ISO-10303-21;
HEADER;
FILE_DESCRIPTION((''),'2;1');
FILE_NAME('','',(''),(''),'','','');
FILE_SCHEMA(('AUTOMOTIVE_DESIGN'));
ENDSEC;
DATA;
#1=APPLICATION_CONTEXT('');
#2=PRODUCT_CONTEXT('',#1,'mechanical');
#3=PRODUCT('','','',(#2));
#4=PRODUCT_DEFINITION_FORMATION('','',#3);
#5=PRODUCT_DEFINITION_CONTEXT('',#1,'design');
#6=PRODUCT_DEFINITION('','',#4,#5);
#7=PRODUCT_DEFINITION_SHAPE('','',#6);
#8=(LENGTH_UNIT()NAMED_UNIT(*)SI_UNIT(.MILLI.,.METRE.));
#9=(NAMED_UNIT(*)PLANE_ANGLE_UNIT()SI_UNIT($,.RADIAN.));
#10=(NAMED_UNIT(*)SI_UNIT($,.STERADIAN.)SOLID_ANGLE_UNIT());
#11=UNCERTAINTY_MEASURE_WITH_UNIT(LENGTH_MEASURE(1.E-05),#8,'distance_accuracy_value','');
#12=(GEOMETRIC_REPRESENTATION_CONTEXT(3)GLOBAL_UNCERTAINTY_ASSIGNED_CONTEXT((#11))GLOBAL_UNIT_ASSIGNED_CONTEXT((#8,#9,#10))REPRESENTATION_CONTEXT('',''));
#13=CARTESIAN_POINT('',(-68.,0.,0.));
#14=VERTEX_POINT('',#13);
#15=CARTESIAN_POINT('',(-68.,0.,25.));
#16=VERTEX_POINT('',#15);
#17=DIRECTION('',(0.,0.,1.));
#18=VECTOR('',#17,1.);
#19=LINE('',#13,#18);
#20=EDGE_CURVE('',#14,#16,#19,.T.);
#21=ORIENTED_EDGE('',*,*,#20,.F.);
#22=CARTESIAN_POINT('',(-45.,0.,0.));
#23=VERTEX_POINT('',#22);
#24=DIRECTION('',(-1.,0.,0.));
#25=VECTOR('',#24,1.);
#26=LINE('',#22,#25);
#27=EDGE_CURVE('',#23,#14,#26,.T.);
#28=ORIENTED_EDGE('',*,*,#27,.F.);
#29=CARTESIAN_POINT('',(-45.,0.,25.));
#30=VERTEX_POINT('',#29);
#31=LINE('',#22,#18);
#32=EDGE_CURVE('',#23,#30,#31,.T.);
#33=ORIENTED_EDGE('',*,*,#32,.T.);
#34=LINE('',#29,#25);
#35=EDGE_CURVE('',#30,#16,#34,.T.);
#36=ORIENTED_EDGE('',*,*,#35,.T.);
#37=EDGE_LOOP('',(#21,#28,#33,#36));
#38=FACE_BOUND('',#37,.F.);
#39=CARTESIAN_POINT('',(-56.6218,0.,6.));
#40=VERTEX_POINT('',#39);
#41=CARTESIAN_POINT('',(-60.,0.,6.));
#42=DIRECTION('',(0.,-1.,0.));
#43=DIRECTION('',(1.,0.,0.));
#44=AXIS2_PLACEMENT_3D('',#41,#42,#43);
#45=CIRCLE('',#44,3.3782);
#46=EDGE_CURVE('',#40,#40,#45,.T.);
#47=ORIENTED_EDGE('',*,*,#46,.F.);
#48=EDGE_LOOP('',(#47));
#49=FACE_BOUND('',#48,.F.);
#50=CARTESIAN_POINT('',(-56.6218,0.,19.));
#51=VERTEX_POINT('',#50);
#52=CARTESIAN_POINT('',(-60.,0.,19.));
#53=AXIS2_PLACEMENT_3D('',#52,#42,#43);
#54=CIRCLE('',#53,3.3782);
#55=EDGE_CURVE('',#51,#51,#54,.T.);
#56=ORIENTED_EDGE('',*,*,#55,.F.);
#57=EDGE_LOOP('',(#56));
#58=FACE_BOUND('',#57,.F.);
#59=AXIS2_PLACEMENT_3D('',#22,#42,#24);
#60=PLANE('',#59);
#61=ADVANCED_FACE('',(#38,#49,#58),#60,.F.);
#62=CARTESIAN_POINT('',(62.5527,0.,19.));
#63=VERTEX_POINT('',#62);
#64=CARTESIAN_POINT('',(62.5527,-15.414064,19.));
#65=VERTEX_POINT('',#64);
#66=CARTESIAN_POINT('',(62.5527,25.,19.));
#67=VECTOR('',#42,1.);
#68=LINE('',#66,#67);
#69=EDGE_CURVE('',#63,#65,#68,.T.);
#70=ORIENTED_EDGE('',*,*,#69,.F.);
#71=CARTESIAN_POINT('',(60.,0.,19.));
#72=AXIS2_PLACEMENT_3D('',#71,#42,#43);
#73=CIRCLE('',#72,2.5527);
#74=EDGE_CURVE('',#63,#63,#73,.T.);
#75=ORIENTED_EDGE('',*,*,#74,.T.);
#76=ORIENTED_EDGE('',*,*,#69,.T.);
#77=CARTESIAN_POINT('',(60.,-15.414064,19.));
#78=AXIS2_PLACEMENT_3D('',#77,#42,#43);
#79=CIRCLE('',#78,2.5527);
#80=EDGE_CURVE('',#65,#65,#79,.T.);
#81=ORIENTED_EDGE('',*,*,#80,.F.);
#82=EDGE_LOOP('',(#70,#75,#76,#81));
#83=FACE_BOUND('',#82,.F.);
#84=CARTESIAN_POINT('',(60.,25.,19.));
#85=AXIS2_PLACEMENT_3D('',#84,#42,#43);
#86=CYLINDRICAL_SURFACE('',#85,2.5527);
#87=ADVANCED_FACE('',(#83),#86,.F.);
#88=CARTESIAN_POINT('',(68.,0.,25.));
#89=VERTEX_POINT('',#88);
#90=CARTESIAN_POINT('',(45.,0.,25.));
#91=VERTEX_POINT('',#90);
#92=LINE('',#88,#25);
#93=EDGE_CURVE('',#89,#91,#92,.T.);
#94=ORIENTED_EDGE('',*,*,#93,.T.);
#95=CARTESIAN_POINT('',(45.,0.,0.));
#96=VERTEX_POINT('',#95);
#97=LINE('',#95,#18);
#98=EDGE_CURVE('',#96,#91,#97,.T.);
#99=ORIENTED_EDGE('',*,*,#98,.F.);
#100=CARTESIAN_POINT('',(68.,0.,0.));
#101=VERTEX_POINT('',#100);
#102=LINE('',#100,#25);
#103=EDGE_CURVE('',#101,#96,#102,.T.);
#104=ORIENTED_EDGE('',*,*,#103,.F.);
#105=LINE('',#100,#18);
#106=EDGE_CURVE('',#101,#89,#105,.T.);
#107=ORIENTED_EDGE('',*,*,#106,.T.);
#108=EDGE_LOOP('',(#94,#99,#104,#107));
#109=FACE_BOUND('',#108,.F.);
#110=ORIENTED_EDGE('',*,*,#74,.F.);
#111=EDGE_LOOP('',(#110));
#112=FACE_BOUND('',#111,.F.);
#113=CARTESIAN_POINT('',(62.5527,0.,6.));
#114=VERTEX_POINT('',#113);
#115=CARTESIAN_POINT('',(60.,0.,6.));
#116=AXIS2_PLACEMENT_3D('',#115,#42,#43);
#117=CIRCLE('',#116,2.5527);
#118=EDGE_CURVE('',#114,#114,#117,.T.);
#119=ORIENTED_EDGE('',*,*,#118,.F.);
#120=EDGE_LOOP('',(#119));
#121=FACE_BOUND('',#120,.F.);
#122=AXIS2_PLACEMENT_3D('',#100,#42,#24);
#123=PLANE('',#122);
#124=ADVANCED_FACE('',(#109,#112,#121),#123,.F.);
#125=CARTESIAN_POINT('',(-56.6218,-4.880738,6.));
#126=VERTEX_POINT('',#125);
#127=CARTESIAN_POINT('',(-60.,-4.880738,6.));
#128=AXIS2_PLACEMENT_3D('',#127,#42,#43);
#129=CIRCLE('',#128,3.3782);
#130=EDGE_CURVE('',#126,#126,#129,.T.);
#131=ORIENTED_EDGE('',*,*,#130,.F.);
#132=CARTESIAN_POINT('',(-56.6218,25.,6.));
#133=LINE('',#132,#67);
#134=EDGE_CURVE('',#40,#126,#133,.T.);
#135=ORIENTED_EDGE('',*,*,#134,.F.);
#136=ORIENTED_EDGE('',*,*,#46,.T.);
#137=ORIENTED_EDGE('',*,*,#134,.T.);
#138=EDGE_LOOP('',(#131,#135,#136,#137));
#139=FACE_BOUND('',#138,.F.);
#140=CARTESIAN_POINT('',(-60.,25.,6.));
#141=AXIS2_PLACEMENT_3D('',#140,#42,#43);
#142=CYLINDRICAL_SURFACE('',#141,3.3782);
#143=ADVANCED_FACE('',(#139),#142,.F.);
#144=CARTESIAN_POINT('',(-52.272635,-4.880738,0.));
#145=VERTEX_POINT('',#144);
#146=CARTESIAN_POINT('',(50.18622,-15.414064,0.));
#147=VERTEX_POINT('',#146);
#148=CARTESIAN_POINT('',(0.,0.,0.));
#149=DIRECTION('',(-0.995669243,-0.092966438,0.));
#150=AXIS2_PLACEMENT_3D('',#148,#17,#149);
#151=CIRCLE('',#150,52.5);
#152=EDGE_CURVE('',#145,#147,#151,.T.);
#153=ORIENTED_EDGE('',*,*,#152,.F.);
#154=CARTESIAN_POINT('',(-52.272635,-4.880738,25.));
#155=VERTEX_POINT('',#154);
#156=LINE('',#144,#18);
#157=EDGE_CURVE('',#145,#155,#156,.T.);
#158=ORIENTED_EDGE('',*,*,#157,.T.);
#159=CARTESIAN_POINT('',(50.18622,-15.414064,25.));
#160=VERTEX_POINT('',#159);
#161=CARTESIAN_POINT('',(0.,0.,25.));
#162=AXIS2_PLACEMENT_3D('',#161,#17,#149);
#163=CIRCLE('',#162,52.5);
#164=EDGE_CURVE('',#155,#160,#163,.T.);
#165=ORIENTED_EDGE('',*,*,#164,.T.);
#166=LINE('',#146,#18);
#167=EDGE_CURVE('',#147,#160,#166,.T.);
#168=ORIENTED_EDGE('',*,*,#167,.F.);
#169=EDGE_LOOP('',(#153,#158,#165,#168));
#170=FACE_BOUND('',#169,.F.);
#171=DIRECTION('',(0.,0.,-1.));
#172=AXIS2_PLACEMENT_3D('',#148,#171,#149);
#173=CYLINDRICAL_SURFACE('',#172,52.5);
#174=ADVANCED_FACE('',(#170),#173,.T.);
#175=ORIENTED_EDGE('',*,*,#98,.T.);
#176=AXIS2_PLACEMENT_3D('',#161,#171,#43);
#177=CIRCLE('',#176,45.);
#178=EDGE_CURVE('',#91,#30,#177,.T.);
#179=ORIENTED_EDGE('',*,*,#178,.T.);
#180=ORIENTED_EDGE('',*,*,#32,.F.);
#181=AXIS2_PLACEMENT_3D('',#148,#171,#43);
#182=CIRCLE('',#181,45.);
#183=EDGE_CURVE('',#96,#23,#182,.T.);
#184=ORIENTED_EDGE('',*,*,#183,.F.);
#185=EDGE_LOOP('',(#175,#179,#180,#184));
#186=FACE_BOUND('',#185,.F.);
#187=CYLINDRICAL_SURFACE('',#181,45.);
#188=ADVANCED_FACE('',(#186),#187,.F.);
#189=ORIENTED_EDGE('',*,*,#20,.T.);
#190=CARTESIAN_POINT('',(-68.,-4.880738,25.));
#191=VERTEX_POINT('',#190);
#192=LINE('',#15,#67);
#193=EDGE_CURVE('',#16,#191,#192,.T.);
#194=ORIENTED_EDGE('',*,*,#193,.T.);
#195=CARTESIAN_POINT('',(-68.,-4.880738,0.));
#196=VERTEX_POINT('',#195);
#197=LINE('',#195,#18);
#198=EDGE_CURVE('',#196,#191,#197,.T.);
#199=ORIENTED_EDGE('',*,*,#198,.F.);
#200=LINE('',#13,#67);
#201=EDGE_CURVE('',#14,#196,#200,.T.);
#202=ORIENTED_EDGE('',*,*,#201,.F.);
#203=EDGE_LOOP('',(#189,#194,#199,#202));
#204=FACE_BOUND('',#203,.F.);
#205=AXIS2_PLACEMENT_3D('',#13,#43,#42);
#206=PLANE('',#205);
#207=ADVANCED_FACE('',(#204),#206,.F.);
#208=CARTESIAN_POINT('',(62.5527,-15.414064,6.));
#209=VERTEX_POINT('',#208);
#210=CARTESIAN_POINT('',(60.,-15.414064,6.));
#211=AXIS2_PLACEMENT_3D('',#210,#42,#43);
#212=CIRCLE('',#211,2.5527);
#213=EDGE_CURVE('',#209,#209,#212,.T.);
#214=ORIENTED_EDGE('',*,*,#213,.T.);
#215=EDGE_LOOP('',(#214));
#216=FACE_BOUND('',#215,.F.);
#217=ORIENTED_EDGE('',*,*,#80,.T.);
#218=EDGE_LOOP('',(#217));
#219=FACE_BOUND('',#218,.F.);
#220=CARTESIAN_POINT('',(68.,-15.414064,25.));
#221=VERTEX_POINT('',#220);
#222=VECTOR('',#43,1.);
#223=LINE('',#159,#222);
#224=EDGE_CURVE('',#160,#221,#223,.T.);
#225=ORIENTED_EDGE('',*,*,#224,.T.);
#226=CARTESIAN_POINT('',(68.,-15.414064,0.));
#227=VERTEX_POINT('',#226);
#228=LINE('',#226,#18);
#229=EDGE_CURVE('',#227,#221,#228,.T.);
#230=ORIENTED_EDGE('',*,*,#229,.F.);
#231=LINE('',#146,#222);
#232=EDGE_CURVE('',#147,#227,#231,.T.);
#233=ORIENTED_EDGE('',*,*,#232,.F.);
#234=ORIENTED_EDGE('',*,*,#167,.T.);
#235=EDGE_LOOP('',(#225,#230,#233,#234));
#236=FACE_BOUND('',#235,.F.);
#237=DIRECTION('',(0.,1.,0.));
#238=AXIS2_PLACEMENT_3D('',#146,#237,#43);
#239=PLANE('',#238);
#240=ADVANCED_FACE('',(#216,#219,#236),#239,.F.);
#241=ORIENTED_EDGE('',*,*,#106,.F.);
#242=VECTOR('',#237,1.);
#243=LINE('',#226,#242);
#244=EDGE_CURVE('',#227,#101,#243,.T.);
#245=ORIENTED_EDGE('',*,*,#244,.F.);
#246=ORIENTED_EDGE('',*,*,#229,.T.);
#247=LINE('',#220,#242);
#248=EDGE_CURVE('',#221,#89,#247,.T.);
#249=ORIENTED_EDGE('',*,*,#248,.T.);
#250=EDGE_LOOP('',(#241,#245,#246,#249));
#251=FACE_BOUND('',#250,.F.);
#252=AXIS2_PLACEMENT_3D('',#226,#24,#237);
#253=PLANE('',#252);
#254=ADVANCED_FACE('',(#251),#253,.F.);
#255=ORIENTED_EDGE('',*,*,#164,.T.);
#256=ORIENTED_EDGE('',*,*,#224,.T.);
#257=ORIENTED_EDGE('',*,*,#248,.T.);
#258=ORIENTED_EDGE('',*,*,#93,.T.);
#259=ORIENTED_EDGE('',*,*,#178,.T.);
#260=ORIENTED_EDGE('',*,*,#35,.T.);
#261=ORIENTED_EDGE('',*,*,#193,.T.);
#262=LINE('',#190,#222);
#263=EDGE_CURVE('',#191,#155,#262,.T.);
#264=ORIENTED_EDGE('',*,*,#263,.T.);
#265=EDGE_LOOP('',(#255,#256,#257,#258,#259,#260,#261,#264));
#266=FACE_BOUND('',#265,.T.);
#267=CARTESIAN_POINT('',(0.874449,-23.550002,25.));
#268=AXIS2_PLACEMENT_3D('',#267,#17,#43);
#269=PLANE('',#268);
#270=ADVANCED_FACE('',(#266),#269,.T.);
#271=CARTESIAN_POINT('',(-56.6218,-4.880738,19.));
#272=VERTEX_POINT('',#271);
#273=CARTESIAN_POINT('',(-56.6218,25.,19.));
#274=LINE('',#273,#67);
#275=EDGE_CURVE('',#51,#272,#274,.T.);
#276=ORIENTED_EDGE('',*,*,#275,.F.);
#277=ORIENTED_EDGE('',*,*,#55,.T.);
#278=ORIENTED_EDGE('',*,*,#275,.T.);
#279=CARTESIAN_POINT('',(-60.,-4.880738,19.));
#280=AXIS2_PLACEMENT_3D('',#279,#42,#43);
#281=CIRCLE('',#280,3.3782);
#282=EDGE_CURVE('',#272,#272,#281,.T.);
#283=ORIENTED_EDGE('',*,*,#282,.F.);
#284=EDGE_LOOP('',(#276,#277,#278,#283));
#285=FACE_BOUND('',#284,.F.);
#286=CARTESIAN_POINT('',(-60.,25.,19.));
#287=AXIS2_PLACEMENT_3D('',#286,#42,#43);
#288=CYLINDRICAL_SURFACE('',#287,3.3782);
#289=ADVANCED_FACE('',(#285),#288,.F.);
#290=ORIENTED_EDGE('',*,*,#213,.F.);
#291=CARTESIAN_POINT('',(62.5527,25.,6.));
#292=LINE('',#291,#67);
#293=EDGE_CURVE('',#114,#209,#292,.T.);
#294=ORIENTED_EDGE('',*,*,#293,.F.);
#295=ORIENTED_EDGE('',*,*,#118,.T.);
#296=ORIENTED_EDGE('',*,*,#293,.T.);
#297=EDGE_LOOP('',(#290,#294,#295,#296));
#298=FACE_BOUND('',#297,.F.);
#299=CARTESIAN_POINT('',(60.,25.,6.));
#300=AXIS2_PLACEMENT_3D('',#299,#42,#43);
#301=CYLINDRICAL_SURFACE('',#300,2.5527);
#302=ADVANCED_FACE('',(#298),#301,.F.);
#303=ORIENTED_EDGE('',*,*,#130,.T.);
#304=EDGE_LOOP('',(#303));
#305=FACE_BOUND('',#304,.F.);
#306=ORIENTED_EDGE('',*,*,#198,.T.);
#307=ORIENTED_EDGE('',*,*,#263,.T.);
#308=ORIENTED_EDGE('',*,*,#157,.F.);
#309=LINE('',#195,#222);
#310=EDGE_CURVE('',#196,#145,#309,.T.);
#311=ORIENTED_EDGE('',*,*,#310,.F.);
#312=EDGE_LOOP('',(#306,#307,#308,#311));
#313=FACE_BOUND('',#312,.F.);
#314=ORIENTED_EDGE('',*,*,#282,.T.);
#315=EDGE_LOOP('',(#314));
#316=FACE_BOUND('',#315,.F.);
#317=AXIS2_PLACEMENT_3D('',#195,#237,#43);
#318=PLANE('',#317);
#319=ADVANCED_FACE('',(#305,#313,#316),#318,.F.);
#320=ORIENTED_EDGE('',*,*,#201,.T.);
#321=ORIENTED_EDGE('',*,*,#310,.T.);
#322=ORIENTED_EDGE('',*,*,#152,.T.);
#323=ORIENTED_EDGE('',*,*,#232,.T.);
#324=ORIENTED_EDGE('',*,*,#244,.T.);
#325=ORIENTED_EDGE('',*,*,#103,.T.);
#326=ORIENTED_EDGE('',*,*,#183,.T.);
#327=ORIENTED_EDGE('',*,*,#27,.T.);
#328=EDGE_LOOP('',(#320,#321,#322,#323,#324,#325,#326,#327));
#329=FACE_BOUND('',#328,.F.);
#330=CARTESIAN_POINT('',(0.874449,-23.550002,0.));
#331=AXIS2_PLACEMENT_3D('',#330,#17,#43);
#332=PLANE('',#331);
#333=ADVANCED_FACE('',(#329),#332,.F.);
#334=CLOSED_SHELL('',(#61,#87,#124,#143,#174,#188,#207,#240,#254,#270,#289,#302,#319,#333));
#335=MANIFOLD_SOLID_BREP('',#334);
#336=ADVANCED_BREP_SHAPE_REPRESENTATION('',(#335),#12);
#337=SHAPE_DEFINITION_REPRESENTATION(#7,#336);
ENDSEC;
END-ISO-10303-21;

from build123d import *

# Parameters (mm, degrees)
F1_DEPTH = 25
F4_D     = 5.1054
F4_DEPTH = 25
F4_TIP   = 1.5338169022
F5_D     = 6.7564
F5_DEPTH = 25
F5_TIP   = 2.0298273432


with BuildPart() as f1:
    # F0 (on Top) → F1 (new body)
    with BuildSketch(Plane.XY):
        with BuildLine():
            ThreePointArc((45, 0), (0, -45), (-45, 0))
            Line((-45, 0), (-68, 0))
            Line((-68, 0), (-68, -4.880737979))
            Line((-68, -4.880737979), (-52.2726352577, -4.880737979))
            ThreePointArc((-52.2726352577, -4.880737979), (-5.3689869527, -52.2247448926), (50.1862195886, -15.4140638188))
            Line((50.1862195886, -15.4140638188), (68, -15.4140638188))
            Line((68, -15.4140638188), (68, 0))
            Line((68, 0), (45, 0))
        make_face()
    extrude(amount=F1_DEPTH)

    # F4
    with Locations(Plane(origin=(0, 0, 0), x_dir=(-1, 0, 0), z_dir=(0, 1, 0))):
        with Locations((-60, 6), (-60, 19)):
            Hole(F4_D / 2, depth=F4_DEPTH)
            with Locations((0, 0, -(F4_DEPTH + F4_TIP / 2))):  # 118° drill point
                Cone(0, F4_D / 2, F4_TIP, mode=Mode.SUBTRACT)

    # F5
    with Locations(Plane(origin=(0, 0, 0), x_dir=(-1, 0, 0), z_dir=(0, 1, 0))):
        with Locations((60, 6), (60, 19)):
            Hole(F5_D / 2, depth=F5_DEPTH)
            with Locations((0, 0, -(F5_DEPTH + F5_TIP / 2))):  # 118° drill point
                Cone(0, F5_D / 2, F5_TIP, mode=Mode.SUBTRACT)


solid = f1.part
